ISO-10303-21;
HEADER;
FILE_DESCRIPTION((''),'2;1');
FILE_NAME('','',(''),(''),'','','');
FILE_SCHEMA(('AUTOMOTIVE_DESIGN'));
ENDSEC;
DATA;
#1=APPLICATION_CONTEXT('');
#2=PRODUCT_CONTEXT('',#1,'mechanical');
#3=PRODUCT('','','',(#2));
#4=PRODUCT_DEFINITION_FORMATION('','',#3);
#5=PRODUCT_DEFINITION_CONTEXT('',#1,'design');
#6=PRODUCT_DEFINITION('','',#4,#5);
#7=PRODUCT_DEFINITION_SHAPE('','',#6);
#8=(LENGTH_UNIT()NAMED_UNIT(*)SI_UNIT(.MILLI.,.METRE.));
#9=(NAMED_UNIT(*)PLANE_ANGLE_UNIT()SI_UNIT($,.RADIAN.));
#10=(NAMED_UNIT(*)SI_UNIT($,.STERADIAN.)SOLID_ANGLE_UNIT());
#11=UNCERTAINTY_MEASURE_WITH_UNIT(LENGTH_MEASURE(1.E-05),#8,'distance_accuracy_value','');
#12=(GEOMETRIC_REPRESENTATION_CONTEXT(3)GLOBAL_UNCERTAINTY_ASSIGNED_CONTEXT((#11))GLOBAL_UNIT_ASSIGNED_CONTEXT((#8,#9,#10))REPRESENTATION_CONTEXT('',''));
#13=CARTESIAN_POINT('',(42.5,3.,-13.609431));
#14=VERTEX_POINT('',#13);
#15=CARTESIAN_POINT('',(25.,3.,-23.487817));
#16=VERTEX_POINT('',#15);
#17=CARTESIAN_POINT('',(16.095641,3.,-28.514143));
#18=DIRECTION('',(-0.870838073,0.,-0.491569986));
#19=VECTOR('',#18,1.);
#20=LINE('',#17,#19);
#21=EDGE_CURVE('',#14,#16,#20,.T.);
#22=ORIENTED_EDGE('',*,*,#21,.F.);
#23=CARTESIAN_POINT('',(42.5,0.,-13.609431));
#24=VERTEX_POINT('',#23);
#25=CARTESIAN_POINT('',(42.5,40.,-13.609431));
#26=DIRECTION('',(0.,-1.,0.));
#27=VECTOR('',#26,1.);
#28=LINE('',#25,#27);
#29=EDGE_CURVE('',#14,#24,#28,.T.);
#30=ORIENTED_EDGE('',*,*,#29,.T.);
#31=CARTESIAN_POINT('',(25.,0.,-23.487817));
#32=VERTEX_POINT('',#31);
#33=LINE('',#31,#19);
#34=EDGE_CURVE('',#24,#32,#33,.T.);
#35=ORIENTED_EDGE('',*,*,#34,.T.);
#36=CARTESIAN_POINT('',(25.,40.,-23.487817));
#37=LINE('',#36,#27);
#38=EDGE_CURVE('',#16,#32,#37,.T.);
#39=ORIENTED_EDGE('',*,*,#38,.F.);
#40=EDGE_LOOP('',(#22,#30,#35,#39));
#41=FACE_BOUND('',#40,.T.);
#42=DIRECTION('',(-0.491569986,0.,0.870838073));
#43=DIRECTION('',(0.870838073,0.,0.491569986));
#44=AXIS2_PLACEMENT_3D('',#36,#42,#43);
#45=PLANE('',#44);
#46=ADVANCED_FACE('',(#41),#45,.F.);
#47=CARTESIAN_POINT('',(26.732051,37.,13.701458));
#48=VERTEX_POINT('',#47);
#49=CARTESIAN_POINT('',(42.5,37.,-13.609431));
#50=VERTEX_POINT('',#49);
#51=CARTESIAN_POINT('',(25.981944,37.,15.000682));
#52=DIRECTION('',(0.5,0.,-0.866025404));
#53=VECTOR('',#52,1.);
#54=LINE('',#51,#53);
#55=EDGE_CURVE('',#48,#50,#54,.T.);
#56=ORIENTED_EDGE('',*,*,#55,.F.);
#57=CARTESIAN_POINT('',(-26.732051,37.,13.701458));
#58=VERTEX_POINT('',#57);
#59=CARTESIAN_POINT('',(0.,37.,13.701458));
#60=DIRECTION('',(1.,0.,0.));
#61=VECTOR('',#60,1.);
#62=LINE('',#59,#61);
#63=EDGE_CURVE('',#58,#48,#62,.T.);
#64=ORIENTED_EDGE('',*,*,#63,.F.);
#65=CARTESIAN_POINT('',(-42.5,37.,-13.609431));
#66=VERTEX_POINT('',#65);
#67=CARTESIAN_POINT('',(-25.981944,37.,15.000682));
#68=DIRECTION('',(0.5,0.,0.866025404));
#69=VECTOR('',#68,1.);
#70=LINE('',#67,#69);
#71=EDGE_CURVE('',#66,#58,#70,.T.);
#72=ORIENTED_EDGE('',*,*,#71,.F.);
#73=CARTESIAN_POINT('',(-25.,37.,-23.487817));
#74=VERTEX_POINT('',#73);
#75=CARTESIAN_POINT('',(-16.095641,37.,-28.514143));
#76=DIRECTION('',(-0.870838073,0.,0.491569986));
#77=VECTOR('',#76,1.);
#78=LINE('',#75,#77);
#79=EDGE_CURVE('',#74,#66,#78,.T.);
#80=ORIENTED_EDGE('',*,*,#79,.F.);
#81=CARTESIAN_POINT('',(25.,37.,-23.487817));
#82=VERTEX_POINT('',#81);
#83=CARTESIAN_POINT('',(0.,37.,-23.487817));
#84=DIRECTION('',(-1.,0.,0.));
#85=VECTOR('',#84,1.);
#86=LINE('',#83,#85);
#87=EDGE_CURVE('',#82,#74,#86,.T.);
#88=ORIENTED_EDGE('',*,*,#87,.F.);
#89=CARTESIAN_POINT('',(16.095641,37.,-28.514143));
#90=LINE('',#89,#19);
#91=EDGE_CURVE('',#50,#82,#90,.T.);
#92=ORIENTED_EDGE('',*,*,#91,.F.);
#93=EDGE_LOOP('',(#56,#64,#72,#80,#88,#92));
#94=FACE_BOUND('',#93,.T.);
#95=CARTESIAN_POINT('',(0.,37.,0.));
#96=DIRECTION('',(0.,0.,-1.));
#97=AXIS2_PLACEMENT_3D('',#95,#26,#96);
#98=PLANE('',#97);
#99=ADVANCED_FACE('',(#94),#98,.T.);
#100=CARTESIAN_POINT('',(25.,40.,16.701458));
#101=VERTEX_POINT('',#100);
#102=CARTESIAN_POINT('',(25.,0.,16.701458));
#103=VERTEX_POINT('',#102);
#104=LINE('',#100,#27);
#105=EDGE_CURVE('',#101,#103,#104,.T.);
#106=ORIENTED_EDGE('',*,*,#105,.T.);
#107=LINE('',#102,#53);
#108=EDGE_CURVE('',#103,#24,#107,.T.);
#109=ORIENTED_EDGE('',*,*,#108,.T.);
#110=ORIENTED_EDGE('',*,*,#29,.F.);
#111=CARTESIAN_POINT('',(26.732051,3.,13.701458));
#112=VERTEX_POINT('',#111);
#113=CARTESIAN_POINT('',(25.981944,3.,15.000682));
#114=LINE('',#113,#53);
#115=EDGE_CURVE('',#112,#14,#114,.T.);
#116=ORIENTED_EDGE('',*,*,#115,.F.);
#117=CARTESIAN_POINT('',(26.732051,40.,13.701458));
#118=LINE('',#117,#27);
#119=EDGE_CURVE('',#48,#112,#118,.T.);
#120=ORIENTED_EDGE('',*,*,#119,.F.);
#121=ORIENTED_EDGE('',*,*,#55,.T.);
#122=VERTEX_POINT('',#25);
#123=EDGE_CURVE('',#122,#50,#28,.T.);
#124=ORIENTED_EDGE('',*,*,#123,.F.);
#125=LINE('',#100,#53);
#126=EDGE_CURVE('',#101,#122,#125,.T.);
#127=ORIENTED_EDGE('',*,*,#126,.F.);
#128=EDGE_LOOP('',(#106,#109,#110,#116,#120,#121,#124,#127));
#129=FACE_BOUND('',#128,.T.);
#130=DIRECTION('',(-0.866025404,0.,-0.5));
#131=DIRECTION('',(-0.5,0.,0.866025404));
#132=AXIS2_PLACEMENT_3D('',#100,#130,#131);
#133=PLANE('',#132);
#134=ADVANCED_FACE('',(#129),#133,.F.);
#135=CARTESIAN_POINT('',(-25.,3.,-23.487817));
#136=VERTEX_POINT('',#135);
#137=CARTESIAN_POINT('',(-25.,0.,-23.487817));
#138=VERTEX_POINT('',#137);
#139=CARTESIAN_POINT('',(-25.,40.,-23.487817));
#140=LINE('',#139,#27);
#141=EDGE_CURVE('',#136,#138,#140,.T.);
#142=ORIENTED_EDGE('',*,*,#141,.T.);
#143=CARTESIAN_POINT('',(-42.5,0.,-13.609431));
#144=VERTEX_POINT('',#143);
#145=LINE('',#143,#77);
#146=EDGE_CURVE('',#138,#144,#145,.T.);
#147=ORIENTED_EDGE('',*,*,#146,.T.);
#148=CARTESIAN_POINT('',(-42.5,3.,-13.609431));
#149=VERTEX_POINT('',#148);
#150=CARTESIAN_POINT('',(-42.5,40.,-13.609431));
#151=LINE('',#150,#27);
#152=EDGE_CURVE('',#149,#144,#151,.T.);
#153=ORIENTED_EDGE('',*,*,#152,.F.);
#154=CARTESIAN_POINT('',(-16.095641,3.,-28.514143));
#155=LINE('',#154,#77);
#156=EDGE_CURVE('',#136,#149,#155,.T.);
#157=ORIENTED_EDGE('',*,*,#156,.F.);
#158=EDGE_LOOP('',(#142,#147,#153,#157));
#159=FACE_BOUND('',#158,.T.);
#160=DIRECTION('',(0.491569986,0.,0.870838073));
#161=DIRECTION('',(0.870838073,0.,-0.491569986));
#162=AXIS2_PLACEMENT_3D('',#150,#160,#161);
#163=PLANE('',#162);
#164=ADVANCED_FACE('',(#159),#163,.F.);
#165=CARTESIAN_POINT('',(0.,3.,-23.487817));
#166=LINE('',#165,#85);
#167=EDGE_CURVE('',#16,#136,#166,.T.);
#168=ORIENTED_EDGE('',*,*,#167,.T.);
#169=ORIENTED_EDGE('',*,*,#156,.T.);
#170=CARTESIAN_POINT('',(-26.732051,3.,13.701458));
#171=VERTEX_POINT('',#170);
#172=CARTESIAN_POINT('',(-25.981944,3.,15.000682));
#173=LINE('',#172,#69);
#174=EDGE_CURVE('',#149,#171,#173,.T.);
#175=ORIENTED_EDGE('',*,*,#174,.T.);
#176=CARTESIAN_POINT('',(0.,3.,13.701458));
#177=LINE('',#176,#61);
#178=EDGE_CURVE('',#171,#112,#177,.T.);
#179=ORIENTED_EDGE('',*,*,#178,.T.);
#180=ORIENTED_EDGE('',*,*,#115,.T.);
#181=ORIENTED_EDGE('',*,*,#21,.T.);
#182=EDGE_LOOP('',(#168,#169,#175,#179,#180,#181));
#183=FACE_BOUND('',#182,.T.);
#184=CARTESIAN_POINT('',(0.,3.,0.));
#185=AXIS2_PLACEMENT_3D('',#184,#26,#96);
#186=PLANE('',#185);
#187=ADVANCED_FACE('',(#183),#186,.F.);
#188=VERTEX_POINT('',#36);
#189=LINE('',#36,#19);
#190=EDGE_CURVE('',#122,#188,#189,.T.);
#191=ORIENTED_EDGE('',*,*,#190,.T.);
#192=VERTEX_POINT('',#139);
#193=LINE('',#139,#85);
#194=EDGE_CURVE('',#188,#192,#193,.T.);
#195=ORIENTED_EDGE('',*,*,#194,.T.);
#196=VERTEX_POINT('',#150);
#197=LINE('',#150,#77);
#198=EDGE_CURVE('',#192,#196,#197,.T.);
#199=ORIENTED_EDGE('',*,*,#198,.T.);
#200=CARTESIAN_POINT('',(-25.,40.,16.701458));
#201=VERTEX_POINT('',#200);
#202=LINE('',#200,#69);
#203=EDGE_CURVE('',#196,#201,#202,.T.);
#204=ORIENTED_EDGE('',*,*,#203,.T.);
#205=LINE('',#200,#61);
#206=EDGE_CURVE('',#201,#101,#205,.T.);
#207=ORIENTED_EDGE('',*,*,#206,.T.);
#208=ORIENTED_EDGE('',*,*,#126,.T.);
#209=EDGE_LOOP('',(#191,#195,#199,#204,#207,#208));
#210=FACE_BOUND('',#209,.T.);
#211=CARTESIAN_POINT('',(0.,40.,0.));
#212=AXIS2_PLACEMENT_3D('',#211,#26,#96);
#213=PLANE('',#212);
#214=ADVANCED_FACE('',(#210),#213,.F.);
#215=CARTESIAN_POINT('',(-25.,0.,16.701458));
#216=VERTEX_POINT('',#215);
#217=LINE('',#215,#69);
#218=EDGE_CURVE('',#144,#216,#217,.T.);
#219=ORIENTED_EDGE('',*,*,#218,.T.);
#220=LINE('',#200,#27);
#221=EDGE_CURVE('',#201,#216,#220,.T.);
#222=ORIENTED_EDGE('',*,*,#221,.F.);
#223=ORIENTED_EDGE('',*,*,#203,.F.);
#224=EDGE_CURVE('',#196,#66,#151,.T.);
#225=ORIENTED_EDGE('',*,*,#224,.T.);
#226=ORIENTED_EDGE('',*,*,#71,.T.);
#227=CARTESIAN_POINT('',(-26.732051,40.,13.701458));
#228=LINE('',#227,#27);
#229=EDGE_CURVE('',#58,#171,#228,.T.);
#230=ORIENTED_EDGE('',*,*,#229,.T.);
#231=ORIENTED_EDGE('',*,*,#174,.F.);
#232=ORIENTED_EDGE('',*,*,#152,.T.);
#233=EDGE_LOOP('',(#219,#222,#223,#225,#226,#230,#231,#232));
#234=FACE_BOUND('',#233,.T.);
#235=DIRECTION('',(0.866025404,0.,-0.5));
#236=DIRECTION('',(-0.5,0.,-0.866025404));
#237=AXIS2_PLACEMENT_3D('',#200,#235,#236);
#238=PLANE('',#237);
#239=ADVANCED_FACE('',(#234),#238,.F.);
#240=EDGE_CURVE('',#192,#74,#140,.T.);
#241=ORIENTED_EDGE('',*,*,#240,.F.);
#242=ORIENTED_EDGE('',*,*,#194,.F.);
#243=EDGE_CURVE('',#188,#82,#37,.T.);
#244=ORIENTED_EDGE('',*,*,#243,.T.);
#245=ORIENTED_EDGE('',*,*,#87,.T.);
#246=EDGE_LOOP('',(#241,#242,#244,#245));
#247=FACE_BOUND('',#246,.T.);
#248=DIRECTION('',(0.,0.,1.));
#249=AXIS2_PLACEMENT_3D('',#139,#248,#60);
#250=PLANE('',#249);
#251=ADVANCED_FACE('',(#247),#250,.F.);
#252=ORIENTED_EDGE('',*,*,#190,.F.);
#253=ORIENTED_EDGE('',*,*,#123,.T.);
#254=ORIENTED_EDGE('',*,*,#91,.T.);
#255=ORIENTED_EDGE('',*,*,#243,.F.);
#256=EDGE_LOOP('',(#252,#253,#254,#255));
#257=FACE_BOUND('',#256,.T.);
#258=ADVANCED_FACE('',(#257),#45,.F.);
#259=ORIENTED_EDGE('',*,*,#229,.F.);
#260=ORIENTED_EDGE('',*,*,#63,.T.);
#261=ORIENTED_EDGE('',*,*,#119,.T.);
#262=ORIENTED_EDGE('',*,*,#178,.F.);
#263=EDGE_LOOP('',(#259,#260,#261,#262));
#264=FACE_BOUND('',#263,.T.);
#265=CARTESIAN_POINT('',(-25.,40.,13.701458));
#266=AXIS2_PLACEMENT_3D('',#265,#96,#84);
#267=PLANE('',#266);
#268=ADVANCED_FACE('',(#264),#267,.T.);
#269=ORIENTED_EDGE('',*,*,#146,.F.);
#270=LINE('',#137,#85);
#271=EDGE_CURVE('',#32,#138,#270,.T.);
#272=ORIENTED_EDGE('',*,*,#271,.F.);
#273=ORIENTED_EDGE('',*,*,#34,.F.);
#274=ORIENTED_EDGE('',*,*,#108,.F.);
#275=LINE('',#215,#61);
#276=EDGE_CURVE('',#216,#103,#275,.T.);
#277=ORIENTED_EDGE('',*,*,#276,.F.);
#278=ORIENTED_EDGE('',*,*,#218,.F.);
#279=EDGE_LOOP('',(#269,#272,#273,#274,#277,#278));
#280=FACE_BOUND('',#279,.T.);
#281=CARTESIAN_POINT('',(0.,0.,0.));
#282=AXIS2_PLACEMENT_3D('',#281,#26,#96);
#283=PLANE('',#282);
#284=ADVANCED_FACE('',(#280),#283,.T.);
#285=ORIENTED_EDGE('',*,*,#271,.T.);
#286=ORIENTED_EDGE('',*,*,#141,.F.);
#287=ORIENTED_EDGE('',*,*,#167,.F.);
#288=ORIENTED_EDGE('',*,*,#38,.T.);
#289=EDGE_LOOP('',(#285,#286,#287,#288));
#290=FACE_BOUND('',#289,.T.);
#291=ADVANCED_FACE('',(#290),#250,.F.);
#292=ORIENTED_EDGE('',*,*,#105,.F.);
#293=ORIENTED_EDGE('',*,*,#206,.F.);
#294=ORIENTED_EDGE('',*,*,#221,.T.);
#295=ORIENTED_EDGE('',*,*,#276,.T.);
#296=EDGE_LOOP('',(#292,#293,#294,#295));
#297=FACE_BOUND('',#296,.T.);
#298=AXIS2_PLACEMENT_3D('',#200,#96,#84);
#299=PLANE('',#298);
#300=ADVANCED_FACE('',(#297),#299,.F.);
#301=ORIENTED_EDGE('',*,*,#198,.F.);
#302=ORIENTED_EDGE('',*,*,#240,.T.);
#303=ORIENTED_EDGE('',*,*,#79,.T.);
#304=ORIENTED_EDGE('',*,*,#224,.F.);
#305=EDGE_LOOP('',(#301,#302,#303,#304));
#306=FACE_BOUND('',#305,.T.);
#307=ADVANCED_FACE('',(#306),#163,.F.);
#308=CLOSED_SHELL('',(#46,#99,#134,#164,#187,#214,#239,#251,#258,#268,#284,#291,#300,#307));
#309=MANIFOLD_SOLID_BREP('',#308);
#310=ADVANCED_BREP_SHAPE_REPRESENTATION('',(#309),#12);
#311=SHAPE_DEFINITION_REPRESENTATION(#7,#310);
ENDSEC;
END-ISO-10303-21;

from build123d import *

# Parameters (mm, degrees)
EXTRUDE_1_DEPTH = 40
SHELL_1_T       = -3


with BuildPart() as part:
    # 草图1 → 凸台-拉伸1 (new body)
    with BuildSketch(Plane(origin=(0, 0, 0), x_dir=(1, 0, 0), z_dir=(0, 1, 0))):
        Polygon((-25, -16.701458194), (25, -16.701458194), (42.5, 13.609430939), (25, 23.487817083), (-25, 23.487817083), (-42.5, 13.609430939), align=None)
    extrude(amount=EXTRUDE_1_DEPTH)

    # 抽壳1
    shell_1_openings = [part.faces().sort_by_distance(p)[0] for p in [
        (-33.75, 20, -18.548624011),
        (0, 20, -23.487817083),
        (33.75, 20, -18.548624011),
        (33.75, 20, 1.546013628),
        (-33.75, 20, 1.546013628),
    ]]
    offset(amount=SHELL_1_T, openings=shell_1_openings, kind=Kind.INTERSECTION)


solid = part.part
